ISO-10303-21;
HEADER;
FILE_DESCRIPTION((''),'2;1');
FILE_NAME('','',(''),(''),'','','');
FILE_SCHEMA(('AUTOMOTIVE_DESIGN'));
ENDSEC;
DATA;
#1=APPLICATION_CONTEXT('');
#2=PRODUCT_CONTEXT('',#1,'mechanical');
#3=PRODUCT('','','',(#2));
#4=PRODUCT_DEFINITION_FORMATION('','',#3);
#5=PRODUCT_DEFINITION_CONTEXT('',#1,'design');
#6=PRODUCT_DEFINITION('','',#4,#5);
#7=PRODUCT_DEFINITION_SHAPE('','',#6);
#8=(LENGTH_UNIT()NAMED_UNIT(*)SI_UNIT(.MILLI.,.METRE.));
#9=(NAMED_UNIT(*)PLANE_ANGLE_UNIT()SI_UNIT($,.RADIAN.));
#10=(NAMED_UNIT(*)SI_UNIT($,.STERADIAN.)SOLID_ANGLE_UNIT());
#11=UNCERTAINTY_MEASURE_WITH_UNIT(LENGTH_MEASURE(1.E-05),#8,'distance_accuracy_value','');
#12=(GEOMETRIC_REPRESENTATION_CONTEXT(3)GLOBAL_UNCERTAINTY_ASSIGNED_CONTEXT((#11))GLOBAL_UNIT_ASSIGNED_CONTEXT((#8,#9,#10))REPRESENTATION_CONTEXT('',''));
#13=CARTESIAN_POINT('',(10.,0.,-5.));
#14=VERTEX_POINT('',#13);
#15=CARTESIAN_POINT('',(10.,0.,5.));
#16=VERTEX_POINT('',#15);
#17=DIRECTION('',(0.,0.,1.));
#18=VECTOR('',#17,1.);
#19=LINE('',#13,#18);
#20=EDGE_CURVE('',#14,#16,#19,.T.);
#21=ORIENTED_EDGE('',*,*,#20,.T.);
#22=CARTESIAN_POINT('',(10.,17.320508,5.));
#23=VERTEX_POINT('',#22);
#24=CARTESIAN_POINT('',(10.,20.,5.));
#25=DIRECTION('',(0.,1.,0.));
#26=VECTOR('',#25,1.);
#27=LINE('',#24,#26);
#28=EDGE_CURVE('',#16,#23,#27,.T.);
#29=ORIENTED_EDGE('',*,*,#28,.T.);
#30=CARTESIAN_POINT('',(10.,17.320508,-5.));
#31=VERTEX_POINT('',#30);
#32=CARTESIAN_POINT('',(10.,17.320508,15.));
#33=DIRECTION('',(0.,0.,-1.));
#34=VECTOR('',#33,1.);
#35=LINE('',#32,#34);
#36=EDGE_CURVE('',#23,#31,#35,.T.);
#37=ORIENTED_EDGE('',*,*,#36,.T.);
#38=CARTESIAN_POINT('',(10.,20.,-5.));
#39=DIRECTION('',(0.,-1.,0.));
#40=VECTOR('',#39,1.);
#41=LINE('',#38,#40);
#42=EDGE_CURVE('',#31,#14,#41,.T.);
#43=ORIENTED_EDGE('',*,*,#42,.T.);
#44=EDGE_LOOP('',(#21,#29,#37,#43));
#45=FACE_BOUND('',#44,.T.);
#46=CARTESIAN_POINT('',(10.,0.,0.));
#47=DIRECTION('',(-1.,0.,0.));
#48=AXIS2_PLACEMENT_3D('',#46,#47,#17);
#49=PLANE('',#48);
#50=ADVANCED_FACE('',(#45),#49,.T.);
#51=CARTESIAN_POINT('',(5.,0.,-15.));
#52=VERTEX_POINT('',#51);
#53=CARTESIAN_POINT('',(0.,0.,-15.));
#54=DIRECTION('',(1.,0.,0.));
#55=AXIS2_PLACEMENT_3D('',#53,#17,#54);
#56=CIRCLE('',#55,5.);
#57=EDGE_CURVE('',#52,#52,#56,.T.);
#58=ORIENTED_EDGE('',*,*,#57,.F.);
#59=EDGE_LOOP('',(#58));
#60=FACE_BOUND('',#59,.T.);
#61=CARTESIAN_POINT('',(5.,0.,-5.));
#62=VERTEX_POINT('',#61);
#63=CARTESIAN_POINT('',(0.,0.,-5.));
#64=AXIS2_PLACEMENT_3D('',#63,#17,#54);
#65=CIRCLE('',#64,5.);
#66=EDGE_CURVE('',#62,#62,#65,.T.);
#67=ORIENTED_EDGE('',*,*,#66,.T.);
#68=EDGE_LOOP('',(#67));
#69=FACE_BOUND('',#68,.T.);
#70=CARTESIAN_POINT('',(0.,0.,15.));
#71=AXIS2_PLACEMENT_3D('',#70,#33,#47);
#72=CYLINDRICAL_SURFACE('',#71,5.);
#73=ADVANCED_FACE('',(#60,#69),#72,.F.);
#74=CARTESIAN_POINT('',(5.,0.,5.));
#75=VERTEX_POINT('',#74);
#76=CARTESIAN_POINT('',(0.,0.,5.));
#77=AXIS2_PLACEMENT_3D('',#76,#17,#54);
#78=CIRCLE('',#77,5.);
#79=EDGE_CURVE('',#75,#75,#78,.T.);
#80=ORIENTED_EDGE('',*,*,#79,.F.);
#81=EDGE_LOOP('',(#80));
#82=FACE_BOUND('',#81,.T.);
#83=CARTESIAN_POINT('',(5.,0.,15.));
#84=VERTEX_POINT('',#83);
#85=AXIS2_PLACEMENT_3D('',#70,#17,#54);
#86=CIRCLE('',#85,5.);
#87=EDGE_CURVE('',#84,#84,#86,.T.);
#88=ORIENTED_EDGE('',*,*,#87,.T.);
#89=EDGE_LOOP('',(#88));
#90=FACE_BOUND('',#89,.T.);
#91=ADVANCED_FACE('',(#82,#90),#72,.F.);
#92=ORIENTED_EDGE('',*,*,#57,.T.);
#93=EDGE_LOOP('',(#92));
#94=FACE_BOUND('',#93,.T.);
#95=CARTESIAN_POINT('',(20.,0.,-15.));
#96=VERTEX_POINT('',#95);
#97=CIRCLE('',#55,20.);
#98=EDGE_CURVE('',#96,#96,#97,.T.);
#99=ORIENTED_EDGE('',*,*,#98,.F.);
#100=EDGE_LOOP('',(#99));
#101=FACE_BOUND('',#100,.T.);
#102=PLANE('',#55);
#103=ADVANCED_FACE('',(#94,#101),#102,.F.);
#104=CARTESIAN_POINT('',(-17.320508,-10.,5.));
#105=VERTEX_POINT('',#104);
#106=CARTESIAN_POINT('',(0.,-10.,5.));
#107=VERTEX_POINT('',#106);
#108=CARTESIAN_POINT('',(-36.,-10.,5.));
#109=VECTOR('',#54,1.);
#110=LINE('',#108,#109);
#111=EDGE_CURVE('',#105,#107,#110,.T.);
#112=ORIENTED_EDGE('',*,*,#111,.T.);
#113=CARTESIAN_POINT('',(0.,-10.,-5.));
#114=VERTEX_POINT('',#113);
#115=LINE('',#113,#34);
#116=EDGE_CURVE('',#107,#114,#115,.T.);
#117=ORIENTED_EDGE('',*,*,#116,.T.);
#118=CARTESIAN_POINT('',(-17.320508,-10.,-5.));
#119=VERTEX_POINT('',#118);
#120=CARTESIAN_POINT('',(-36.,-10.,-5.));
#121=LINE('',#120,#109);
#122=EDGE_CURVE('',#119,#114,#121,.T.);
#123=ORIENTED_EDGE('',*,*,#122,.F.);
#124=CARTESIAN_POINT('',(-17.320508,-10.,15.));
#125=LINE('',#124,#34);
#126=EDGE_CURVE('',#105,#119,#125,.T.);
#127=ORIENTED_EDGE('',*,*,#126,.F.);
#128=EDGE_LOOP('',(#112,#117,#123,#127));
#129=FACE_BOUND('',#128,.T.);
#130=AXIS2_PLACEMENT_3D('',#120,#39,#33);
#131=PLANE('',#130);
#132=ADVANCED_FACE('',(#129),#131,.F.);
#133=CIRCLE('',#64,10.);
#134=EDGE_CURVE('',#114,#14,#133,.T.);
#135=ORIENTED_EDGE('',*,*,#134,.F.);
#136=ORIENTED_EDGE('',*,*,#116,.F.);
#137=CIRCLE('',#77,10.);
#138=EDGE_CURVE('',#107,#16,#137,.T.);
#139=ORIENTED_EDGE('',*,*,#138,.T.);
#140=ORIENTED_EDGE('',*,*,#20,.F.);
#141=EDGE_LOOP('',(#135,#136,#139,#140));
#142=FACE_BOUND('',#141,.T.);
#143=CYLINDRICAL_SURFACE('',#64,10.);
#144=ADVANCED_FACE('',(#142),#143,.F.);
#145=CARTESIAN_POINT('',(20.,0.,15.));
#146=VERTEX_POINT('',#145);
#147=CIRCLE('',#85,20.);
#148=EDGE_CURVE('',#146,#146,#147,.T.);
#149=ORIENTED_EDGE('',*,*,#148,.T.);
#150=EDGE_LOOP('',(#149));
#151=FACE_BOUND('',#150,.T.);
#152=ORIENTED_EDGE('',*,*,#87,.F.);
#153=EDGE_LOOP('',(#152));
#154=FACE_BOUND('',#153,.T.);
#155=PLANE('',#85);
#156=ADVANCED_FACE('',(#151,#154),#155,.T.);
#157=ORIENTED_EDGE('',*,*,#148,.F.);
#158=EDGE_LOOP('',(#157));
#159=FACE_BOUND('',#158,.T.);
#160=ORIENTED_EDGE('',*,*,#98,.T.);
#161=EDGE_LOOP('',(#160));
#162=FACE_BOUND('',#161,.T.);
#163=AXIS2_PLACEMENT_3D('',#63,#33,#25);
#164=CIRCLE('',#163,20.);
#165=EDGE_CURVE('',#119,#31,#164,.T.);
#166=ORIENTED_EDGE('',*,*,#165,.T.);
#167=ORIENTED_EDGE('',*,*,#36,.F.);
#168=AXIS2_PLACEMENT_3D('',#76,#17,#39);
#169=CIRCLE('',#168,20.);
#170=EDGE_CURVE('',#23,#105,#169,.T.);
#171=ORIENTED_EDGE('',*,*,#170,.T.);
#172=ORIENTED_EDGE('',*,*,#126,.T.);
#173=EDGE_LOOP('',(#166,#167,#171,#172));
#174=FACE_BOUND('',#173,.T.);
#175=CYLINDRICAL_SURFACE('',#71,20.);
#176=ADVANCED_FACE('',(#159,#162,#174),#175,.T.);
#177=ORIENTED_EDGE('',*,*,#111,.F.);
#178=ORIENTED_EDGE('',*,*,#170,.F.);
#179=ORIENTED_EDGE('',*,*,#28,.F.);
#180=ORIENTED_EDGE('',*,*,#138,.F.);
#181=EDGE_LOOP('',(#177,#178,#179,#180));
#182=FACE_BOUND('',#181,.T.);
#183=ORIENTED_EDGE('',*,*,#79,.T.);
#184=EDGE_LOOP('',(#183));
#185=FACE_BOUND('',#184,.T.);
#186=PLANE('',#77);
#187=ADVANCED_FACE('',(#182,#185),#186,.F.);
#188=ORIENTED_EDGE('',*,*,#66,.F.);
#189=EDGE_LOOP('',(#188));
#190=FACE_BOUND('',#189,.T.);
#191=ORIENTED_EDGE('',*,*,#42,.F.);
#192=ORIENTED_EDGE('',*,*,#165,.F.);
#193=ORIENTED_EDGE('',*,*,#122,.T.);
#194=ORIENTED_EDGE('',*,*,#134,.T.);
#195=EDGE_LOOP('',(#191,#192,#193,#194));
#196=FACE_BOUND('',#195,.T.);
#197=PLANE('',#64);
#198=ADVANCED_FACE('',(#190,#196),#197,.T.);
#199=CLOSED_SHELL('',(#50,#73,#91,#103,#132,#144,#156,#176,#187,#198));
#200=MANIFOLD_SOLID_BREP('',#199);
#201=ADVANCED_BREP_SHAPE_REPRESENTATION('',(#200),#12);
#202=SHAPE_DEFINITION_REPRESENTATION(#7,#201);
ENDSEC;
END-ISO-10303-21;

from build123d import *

# Parameters (mm, degrees)
CROQUIS1_R              = 20
CROQUIS1_R_2            = 5
SALIENTE_EXTRUIR1_DEPTH = 15
CROQUIS6_R              = 10
CORTAR_EXTRUIR6_DEPTH   = 5
CROQUIS7_W              = 10
CROQUIS7_H              = 30
CORTAR_EXTRUIR7_DEPTH   = 36
CROQUIS8_W              = 10
CROQUIS8_H              = 20
CORTAR_EXTRUIR9_DEPTH   = 10


with BuildPart() as part:
    # Croquis1 → Saliente-Extruir1 (new, symmetric)
    with BuildSketch(Plane.XY):
        Circle(CROQUIS1_R)
        Circle(CROQUIS1_R_2, mode=Mode.SUBTRACT)
    extrude(amount=SALIENTE_EXTRUIR1_DEPTH, both=True)

    # Croquis6 → Cortar-Extruir6 (cut, symmetric)
    with BuildSketch(Plane.XY):
        Circle(CROQUIS6_R)
    extrude(amount=CORTAR_EXTRUIR6_DEPTH, both=True, mode=Mode.SUBTRACT)

    # Croquis7 → Cortar-Extruir7 (cut)
    with BuildSketch(Plane(origin=(0, 0, 0), x_dir=(0, 0, -1), z_dir=(1, 0, 0))):
        with Locations((0, 5)):
            Rectangle(CROQUIS7_W, CROQUIS7_H)
    extrude(amount=-CORTAR_EXTRUIR7_DEPTH, mode=Mode.SUBTRACT)

    # Croquis8 → Cortar-Extruir9 (cut)
    with BuildSketch(Plane.ZY):
        with Locations((0, 10)):
            Rectangle(CROQUIS8_W, CROQUIS8_H)
    extrude(amount=-CORTAR_EXTRUIR9_DEPTH, mode=Mode.SUBTRACT)


solid = part.part
